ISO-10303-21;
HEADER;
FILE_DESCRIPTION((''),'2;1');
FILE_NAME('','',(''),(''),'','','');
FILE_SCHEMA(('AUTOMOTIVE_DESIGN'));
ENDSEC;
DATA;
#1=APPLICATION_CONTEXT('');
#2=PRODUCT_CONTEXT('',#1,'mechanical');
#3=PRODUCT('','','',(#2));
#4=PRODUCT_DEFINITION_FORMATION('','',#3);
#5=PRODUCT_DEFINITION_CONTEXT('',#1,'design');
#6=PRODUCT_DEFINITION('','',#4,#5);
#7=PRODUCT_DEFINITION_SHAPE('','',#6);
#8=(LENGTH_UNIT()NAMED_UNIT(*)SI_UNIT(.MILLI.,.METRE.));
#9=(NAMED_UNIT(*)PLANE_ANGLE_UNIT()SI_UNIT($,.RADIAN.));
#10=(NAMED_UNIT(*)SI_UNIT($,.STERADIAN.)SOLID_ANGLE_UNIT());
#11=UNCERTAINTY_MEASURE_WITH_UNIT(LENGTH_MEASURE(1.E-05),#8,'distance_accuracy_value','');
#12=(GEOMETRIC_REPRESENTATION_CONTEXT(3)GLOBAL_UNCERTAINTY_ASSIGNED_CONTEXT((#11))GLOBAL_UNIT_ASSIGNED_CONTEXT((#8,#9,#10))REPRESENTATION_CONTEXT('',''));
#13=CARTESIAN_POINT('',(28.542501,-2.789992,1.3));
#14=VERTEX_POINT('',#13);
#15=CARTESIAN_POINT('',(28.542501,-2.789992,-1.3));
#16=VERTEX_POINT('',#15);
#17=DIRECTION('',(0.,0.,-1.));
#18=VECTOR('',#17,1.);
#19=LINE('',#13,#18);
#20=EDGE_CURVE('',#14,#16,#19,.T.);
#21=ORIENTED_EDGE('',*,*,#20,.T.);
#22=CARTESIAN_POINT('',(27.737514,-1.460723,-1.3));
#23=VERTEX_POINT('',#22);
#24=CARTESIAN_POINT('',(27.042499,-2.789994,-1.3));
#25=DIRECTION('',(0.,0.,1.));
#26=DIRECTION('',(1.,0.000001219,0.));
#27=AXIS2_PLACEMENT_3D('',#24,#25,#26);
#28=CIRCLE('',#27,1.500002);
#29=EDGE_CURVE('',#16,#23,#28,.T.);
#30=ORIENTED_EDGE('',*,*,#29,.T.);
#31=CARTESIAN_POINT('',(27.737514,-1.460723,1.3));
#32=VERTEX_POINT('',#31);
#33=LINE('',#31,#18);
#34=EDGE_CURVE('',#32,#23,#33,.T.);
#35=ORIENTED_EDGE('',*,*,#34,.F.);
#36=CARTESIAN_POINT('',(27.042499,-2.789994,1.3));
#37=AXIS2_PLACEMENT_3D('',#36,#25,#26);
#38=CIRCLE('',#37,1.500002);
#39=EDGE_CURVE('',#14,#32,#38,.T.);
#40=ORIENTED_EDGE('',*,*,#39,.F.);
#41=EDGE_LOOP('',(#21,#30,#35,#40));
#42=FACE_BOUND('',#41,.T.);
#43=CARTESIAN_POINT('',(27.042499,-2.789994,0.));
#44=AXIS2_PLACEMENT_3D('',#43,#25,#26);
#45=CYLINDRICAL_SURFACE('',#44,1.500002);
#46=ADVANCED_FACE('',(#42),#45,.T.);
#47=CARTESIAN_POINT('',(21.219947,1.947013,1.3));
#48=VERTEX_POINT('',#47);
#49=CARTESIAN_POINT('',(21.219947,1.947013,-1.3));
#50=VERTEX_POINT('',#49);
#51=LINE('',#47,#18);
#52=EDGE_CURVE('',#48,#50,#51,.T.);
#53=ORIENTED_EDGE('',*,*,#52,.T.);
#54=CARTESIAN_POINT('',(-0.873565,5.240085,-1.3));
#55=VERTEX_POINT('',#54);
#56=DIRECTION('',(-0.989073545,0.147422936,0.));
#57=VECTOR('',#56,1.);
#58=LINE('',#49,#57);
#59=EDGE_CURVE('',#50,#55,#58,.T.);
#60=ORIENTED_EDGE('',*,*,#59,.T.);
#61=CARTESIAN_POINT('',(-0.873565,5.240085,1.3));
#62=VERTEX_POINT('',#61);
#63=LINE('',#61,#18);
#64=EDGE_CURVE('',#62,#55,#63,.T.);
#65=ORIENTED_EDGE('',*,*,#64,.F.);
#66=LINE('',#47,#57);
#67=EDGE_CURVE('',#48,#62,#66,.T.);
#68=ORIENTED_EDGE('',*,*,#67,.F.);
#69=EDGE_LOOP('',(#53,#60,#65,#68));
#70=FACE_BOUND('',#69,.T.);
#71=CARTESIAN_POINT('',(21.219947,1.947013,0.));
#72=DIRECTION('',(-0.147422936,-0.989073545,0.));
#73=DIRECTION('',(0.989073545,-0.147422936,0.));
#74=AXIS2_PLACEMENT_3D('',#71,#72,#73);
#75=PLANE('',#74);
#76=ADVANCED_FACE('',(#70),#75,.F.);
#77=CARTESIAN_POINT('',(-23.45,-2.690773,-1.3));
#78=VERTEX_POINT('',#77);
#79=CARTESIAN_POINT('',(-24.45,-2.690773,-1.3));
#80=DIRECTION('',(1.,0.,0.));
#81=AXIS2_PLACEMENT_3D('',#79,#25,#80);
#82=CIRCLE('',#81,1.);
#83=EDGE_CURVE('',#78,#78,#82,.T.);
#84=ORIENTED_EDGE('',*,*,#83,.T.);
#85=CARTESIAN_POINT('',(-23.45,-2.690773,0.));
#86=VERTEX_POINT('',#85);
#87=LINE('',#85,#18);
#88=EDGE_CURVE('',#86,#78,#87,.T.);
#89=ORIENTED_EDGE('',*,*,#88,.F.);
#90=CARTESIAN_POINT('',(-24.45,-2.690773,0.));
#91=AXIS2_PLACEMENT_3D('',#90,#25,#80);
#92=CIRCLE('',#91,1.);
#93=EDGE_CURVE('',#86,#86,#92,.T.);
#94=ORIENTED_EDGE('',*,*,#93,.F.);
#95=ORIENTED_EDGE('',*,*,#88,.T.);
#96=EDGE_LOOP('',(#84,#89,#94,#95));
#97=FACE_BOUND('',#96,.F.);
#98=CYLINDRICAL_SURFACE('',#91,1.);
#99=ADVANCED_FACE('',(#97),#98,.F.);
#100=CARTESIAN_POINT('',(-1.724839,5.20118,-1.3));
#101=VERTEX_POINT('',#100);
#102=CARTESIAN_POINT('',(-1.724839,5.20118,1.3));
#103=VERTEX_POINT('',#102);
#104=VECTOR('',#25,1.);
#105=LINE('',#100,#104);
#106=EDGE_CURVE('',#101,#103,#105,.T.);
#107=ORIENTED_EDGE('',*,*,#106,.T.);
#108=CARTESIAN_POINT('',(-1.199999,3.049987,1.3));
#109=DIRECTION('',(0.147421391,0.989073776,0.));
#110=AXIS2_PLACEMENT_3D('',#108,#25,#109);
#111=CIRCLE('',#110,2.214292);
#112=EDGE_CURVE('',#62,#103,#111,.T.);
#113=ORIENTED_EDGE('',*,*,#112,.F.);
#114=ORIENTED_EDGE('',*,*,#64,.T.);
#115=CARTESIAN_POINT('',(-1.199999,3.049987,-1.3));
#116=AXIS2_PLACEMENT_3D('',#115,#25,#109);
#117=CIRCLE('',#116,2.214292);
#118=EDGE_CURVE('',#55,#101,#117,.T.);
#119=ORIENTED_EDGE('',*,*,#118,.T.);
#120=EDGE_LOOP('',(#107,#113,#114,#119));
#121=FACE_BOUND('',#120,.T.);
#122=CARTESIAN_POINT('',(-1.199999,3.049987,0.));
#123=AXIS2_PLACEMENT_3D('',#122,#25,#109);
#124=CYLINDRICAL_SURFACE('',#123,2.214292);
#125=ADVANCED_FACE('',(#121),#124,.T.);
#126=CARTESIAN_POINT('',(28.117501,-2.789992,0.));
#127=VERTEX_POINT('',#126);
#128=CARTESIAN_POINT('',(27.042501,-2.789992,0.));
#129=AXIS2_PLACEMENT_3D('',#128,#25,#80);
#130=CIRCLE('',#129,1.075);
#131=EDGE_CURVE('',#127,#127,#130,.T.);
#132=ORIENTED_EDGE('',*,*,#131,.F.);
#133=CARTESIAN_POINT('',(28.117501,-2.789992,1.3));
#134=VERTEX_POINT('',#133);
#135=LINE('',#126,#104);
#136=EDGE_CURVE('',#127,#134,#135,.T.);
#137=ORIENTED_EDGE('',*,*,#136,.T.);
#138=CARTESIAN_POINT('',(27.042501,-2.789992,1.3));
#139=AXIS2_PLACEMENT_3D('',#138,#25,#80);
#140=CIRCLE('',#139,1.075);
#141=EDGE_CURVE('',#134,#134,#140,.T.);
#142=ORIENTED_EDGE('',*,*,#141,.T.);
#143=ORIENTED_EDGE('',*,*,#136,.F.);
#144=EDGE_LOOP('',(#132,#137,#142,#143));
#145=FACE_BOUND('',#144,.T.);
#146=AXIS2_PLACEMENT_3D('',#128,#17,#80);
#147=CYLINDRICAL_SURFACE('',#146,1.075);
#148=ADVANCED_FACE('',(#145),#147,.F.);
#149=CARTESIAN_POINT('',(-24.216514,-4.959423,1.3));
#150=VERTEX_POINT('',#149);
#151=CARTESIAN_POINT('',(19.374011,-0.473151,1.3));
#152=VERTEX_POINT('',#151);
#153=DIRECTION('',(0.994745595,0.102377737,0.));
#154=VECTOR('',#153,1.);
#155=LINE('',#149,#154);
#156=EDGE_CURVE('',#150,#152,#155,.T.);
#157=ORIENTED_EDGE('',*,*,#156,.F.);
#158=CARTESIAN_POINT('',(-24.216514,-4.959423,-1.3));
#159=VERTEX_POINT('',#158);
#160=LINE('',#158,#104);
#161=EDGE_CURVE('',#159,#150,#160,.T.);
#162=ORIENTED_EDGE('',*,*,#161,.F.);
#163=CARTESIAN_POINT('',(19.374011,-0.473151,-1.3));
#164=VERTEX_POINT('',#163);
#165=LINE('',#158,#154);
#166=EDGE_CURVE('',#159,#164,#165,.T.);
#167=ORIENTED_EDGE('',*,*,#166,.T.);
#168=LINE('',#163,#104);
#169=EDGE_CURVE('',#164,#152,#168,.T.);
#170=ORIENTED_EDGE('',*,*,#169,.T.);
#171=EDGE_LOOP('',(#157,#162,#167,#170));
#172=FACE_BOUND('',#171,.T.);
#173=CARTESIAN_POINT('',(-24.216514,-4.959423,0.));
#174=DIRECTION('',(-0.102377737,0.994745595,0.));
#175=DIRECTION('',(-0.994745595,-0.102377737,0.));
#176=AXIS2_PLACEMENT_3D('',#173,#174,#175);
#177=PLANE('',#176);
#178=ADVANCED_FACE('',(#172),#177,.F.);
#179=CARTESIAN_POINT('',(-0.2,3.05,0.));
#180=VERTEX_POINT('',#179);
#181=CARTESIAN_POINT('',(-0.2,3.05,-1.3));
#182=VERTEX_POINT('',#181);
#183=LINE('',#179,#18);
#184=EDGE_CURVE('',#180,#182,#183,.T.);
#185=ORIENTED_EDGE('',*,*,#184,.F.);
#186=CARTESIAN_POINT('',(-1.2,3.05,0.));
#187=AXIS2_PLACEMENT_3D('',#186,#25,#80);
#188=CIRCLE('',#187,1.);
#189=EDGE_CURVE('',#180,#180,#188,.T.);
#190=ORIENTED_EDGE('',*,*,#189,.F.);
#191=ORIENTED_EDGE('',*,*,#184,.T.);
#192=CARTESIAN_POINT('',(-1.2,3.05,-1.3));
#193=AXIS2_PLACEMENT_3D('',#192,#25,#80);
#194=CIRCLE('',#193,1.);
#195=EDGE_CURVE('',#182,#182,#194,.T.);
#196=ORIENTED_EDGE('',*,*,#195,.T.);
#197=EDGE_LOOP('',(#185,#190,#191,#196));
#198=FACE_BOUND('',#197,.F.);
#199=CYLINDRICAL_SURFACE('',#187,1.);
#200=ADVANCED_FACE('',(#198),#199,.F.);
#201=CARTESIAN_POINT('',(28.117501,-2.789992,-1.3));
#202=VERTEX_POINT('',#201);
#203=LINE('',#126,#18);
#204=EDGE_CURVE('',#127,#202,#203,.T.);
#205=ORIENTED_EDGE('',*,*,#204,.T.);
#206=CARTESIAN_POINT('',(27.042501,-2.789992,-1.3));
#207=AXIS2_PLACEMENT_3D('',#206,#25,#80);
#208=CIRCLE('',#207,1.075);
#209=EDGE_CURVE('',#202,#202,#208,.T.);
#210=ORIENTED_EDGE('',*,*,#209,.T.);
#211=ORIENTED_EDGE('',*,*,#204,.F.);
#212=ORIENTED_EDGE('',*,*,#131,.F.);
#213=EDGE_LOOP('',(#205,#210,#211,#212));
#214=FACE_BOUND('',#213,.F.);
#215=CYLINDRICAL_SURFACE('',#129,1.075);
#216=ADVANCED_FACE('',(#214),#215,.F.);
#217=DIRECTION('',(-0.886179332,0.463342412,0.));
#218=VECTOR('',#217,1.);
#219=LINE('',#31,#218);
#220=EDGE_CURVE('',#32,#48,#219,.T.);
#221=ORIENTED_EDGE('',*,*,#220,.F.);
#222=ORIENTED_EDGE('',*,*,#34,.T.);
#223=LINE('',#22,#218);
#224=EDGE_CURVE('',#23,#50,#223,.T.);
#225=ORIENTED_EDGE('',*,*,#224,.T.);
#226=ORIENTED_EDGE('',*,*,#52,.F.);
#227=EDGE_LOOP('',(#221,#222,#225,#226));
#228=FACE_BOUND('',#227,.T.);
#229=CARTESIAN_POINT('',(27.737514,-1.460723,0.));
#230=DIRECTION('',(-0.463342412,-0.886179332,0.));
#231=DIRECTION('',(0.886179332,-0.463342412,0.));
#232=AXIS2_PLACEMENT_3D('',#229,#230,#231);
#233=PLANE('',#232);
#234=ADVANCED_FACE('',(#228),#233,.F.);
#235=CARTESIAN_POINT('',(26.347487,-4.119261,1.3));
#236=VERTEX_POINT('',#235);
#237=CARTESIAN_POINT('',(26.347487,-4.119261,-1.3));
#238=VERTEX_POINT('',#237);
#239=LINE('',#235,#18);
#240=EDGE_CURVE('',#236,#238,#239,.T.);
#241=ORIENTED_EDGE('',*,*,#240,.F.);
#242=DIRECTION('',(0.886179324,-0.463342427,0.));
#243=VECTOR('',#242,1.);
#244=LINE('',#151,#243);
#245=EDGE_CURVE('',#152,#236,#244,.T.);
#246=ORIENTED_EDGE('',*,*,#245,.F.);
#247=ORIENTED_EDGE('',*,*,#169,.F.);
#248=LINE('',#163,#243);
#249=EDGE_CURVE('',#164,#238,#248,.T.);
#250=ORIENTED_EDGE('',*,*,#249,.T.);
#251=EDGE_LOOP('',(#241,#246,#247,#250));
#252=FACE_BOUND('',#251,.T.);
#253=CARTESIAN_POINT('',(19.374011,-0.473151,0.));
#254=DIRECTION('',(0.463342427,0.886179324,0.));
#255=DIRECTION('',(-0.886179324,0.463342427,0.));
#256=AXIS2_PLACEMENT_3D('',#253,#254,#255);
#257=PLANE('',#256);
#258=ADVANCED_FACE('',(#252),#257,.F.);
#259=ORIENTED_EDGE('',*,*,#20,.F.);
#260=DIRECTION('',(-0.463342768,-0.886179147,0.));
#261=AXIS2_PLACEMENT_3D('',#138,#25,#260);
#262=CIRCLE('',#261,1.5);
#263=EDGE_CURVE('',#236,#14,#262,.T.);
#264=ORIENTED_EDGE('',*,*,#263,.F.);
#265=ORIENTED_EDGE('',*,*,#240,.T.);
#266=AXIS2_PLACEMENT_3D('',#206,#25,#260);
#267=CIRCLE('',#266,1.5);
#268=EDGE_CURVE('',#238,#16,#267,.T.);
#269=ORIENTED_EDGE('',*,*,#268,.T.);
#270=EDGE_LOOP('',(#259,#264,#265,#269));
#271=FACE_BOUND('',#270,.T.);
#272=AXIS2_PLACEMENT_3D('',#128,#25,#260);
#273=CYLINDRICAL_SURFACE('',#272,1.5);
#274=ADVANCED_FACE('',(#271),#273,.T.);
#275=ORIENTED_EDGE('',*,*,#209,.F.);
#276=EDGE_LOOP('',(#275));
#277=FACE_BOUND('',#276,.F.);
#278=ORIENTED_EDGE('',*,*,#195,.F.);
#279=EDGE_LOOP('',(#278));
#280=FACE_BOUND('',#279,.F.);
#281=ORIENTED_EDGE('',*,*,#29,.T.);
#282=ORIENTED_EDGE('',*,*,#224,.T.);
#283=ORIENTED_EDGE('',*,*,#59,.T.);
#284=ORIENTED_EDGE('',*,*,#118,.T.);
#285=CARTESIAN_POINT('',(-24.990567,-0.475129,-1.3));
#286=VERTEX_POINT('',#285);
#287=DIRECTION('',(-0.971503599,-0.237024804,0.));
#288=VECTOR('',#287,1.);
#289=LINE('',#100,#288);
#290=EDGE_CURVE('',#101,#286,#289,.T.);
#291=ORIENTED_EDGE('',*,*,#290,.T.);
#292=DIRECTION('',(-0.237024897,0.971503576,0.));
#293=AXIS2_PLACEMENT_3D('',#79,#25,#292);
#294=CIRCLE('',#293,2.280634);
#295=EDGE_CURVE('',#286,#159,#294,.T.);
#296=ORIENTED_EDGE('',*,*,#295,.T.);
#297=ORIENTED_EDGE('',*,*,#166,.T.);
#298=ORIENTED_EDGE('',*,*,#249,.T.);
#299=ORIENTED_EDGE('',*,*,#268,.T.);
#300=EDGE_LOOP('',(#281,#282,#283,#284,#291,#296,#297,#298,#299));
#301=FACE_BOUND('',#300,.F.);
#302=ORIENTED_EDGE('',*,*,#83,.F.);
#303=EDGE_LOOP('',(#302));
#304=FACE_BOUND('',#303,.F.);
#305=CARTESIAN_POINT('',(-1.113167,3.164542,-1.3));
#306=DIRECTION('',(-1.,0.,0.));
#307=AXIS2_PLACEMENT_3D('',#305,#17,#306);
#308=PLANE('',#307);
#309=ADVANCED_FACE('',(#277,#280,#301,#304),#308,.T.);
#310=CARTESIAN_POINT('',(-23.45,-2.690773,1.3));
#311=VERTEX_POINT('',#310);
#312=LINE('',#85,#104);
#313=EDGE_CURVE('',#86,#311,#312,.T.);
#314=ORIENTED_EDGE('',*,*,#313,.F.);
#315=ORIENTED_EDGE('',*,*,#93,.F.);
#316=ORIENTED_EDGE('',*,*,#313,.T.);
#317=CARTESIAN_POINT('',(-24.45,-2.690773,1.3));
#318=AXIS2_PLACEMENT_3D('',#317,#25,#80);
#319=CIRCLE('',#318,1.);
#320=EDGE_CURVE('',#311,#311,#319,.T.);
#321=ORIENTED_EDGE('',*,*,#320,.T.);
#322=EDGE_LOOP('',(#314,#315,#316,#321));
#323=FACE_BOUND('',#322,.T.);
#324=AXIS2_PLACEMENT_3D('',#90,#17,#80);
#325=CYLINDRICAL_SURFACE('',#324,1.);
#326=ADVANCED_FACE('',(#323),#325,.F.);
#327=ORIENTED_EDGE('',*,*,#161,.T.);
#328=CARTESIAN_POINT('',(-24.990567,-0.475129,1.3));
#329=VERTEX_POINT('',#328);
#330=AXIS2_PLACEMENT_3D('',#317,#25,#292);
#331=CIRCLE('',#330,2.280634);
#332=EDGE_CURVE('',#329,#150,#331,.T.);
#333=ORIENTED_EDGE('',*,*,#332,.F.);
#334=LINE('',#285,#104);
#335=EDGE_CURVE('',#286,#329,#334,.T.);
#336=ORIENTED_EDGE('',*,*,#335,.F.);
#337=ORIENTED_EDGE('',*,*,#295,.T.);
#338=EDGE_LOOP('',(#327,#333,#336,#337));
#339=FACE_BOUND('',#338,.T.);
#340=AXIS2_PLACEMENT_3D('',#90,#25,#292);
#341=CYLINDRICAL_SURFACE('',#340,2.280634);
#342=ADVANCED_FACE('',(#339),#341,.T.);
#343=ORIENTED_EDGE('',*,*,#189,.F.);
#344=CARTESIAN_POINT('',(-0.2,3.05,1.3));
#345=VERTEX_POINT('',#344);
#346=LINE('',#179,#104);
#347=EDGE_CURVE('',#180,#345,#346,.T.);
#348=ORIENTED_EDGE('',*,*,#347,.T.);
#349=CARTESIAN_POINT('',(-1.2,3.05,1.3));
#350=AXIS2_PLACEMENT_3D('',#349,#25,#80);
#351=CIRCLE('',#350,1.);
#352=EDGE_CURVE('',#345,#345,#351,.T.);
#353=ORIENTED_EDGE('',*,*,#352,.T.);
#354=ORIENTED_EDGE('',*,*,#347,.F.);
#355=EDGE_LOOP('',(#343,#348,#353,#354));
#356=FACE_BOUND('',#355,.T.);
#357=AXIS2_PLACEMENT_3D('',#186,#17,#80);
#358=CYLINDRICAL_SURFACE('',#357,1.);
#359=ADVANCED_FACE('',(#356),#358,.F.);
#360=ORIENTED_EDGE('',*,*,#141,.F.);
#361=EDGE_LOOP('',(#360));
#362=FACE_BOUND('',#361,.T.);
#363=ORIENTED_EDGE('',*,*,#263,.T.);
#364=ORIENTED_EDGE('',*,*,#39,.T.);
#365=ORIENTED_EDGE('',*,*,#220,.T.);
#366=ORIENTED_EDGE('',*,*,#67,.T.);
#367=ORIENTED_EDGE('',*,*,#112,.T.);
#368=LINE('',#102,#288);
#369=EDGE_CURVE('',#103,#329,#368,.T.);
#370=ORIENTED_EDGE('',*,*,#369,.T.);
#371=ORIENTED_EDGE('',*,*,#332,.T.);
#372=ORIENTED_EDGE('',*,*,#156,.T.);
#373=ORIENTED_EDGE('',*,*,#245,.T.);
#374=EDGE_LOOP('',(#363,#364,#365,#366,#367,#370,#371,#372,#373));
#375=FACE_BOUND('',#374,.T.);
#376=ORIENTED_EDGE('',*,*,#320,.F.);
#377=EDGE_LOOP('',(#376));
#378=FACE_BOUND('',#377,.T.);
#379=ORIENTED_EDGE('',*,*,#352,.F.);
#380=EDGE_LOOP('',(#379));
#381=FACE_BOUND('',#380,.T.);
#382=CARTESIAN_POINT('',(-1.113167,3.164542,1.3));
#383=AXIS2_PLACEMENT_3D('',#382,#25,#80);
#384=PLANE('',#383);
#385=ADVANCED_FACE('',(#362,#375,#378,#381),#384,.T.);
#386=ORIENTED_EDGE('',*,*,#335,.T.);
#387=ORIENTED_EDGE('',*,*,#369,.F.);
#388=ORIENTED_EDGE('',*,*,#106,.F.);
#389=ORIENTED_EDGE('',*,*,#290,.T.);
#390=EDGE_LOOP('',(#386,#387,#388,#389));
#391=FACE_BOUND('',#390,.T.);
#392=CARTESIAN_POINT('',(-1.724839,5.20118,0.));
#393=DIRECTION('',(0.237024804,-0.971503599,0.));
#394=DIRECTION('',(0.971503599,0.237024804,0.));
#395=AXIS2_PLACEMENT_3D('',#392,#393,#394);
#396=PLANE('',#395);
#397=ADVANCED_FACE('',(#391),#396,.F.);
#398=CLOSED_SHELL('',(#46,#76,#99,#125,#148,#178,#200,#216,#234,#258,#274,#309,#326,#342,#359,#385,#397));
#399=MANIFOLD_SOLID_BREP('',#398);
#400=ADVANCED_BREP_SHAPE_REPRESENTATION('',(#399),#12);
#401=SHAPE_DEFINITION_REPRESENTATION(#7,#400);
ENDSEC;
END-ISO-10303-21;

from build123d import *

# Parameters (mm, degrees)
F0_R     = 1
F0_R_2   = 1.075
F1_DEPTH = 1.3


with BuildPart() as f1:
    # F0 (on Top) → F1 (new body)
    with BuildSketch(Plane.XY):
        with BuildLine():
            ThreePointArc((-1.724839, 5.20118), (-2.567642, 1.308568), (1.014279, 3.05))
            ThreePointArc((1.014279, 3.05), (0.477178, 4.49572), (-0.873565, 5.240085))
            ThreePointArc((-0.873565, 5.240085), (-1.301091, 5.26197), (-1.724839, 5.20118))
        make_face()
        with Locations((-1.2, 3.05)):
            Circle(F0_R, mode=Mode.SUBTRACT)
        with BuildLine():
            ThreePointArc((-0.873565, 5.240085), (0.477178, 4.49572), (1.014279, 3.05))
            ThreePointArc((1.014279, 3.05), (-2.567642, 1.308568), (-1.724839, 5.20118))
            Line((-1.724839, 5.20118), (-24.990567, -0.475129))
            ThreePointArc((-24.990567, -0.475129), (-23.041374, -0.897155), (-22.169366, -2.690773))
            ThreePointArc((-22.169366, -2.690773), (-22.75681, -4.218646), (-24.216514, -4.959423))
            Line((-24.216514, -4.959423), (19.374011, -0.473151))
            Line((19.374011, -0.473151), (26.347487, -4.119261))
            ThreePointArc((26.347487, -4.119261), (25.713232, -2.094979), (27.737514, -1.460723))
            Line((27.737514, -1.460723), (21.219947, 1.947013))
            Line((21.219947, 1.947013), (-0.873565, 5.240085))
        make_face()
        with BuildLine():
            ThreePointArc((-22.169366, -2.690773), (-23.041374, -0.897155), (-24.990567, -0.475129))
            ThreePointArc((-24.990567, -0.475129), (-26.697398, -3.078706), (-24.216514, -4.959423))
            ThreePointArc((-24.216514, -4.959423), (-22.75681, -4.218646), (-22.169366, -2.690773))
        make_face()
        with Locations((-24.45, -2.690773)):
            Circle(F0_R, mode=Mode.SUBTRACT)
        with BuildLine():
            ThreePointArc((28.542501, -2.789992), (28.325567, -2.012985), (27.737514, -1.460723))
            ThreePointArc((27.737514, -1.460723), (25.713232, -2.094979), (26.347487, -4.119261))
            ThreePointArc((26.347487, -4.119261), (27.819508, -4.073059), (28.542501, -2.789992))
        make_face()
        with Locations((27.042501, -2.789992)):
            Circle(F0_R_2, mode=Mode.SUBTRACT)
    extrude(amount=F1_DEPTH)

    # F2: F1 across plane


with BuildPart() as f1_1:
    add(f1.part)
    add(f1.part.mirror(Plane.XY))


solid = f1_1.part
